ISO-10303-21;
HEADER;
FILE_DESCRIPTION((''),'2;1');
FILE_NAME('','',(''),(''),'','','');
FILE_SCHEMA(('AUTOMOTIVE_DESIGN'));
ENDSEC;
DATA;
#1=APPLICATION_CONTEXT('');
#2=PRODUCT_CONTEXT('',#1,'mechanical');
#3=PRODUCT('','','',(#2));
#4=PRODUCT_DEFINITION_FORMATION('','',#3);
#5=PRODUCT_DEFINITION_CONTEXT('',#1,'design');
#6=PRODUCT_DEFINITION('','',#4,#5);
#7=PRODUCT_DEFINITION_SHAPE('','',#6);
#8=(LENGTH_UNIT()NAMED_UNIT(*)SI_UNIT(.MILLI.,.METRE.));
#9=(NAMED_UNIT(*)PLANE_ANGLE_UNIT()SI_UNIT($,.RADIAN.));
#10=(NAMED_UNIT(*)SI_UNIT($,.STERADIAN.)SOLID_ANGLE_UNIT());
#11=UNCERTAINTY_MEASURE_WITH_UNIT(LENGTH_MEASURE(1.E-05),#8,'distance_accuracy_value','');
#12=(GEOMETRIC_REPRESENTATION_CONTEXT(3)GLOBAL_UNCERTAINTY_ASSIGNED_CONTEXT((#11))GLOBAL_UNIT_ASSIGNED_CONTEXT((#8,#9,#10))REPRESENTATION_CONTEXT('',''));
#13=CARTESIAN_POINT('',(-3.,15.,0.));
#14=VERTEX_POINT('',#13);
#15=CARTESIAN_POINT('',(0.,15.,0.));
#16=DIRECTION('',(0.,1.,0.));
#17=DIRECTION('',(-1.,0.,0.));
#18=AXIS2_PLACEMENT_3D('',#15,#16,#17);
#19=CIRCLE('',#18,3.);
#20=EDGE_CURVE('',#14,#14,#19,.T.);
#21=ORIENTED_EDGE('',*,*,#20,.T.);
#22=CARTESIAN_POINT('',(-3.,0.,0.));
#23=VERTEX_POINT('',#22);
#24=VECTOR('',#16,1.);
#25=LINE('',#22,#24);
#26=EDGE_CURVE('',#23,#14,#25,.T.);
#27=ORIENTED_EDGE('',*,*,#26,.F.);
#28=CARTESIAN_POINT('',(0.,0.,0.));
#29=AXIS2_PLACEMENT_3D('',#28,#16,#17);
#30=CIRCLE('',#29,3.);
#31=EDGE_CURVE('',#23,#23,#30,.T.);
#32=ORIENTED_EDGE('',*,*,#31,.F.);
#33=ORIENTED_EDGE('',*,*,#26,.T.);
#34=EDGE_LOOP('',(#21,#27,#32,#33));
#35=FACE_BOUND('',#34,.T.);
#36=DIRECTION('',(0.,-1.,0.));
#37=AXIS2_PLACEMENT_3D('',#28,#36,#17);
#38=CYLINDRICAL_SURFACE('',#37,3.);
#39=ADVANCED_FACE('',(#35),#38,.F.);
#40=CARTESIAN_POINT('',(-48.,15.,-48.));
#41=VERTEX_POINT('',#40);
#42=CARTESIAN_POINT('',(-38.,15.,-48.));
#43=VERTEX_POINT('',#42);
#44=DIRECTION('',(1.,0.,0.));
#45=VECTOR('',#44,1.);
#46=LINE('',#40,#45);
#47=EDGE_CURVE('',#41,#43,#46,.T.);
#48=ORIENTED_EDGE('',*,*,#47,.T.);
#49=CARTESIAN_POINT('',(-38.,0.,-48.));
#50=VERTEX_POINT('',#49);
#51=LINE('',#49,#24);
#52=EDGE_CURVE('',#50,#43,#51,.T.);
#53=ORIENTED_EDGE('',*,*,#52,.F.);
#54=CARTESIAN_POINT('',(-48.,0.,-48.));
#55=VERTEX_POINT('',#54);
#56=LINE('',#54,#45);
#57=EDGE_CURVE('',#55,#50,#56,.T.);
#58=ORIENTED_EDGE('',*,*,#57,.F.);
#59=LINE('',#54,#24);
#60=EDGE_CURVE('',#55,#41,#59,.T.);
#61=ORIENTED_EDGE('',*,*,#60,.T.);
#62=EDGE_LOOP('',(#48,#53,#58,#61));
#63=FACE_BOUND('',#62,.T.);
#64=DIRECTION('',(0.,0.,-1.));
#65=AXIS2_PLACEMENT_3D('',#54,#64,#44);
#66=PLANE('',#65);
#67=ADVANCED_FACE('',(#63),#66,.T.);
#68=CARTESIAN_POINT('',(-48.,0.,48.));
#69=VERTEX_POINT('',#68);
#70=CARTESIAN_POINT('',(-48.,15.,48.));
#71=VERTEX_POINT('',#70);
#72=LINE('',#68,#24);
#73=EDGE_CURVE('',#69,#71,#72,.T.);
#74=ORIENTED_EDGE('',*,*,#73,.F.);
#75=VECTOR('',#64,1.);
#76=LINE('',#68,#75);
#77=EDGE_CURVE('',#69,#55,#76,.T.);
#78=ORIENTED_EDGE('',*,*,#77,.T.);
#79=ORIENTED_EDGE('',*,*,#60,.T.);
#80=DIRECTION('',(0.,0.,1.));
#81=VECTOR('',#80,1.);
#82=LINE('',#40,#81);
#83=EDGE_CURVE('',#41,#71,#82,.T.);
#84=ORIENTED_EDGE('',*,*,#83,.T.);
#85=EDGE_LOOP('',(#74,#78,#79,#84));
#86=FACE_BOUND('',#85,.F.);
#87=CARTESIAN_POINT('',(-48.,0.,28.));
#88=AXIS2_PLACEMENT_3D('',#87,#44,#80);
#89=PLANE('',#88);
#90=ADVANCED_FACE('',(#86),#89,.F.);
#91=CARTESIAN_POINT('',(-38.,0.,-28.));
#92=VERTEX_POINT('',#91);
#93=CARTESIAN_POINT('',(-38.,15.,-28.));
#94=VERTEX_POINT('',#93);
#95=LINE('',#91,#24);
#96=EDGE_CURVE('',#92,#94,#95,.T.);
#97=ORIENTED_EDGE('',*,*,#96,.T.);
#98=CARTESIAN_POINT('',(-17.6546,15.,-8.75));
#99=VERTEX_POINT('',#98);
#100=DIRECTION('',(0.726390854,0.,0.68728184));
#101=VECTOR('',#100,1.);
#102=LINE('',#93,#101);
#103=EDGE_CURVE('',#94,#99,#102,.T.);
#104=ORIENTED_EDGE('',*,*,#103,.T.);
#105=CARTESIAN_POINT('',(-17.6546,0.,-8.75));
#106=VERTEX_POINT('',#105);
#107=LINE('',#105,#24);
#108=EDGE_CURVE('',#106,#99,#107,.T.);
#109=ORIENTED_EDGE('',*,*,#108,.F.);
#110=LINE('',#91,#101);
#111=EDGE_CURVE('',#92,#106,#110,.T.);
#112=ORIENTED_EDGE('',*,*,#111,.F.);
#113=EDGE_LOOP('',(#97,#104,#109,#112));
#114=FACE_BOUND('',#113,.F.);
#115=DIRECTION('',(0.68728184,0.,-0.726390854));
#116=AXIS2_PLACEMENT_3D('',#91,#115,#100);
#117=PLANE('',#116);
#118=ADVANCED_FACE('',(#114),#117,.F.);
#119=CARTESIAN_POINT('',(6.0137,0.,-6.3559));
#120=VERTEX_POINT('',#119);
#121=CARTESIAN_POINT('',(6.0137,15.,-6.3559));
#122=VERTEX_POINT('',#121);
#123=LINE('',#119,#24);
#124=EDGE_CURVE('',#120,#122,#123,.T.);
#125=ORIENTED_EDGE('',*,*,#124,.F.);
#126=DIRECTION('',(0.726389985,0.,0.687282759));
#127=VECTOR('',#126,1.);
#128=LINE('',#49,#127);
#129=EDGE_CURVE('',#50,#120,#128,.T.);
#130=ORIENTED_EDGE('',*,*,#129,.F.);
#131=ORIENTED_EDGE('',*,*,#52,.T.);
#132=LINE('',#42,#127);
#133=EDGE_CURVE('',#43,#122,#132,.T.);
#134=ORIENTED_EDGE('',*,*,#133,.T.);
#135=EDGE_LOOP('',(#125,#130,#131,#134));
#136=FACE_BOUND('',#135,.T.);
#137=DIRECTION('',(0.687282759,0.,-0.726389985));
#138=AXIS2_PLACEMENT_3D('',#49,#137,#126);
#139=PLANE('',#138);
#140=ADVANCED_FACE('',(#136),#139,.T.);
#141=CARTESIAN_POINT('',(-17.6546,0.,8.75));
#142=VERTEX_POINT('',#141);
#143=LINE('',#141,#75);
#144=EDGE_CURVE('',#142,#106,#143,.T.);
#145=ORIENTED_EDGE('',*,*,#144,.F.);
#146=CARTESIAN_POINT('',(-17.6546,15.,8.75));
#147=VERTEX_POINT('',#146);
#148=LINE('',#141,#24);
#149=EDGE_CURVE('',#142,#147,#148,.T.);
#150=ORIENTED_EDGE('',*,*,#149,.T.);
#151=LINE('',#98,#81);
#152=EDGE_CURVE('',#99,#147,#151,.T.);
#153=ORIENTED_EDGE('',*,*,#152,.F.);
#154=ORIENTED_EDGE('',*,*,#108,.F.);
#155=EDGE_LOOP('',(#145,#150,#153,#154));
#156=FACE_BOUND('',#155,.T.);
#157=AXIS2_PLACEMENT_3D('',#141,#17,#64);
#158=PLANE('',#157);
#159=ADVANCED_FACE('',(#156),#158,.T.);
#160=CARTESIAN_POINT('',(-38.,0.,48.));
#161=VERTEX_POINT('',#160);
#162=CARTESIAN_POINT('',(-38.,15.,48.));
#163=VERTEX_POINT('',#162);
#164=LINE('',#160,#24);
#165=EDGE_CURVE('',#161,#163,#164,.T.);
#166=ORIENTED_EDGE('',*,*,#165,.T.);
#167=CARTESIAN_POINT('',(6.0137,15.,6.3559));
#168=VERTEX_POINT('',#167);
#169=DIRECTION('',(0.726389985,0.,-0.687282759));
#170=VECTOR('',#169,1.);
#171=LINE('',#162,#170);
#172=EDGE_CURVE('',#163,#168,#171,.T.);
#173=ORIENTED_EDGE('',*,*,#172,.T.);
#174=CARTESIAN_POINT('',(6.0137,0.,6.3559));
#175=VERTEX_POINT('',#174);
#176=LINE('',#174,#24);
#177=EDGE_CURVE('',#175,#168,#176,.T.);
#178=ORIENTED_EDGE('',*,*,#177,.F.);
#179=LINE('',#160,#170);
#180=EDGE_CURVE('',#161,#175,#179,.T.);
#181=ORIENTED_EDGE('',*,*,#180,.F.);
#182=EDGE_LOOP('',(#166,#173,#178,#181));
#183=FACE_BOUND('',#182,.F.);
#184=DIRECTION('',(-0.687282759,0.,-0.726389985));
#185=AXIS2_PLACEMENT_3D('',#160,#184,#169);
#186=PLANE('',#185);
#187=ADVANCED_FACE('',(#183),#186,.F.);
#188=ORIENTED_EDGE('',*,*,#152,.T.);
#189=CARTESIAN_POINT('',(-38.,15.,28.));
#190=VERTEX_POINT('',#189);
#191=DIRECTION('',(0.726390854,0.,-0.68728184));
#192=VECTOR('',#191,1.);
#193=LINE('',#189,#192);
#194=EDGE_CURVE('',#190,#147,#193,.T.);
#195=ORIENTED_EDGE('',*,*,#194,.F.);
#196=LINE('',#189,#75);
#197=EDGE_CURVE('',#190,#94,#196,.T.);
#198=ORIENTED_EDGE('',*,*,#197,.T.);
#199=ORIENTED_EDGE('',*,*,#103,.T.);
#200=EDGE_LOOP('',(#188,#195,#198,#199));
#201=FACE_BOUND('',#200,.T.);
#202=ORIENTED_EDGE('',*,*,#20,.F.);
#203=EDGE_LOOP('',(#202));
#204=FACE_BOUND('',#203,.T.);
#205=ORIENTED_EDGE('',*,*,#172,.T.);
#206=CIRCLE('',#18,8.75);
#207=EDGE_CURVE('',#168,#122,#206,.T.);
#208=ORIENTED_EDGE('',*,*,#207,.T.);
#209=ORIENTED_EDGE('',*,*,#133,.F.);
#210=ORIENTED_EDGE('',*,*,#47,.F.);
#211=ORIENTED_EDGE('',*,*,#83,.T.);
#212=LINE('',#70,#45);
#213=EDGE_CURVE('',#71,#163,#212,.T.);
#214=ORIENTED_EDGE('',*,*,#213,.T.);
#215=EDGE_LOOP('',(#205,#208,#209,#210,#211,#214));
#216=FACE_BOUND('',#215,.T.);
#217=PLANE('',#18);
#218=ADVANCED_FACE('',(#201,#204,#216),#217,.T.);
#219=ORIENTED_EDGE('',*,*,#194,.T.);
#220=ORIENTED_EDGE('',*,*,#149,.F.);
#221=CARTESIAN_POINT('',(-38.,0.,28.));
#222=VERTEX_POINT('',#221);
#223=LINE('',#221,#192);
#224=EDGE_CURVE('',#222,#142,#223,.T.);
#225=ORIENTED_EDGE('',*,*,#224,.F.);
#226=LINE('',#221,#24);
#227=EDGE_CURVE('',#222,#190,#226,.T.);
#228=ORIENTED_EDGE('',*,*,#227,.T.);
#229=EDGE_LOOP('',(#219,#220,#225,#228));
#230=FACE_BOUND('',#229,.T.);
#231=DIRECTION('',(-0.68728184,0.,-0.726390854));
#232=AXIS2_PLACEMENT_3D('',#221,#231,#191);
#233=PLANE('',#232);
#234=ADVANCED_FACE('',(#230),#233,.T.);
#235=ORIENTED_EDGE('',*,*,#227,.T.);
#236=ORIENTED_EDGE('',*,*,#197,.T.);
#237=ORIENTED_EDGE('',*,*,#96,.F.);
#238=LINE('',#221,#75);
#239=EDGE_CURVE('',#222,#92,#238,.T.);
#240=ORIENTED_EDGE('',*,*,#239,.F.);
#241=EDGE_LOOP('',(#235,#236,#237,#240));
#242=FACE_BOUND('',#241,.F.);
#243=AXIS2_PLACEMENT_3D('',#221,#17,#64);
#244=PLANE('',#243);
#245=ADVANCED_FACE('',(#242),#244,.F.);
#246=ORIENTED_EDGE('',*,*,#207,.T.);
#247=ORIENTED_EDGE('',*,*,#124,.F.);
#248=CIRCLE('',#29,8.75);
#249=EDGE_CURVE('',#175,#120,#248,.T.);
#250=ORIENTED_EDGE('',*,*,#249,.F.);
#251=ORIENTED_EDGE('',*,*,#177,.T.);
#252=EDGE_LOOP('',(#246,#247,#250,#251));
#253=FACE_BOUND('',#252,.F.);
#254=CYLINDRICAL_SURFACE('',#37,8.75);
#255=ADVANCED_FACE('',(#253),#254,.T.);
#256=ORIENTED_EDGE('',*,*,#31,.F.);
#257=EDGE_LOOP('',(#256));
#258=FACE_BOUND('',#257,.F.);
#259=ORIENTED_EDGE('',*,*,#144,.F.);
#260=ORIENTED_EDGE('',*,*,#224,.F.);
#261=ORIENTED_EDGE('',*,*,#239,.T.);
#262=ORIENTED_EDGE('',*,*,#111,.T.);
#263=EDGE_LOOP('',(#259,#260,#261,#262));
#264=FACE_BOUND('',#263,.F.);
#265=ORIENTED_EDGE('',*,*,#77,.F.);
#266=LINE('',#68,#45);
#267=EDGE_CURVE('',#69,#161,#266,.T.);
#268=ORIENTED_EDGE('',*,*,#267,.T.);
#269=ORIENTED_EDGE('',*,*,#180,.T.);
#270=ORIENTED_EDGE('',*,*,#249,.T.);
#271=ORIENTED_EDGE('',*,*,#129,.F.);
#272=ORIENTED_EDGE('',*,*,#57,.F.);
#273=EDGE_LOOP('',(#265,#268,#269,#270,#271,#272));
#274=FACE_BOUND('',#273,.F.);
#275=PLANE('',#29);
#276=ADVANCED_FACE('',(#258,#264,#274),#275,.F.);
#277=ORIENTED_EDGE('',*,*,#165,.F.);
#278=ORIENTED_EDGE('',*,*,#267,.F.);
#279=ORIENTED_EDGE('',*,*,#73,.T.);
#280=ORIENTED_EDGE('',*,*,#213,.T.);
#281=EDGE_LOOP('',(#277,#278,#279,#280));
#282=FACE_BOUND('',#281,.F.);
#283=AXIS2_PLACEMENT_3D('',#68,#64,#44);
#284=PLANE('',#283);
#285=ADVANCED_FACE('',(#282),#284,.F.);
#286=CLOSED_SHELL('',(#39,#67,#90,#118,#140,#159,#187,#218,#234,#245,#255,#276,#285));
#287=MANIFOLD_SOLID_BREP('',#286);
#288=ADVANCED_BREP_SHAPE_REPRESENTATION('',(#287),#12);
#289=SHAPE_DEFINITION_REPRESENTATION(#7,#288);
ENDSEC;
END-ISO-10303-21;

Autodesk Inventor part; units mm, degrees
ref_plane "YZ Plane" through (0, 0, 0) normal (1, 0, 0) x (0, 1, 0)
ref_plane "XZ Plane" through (0, 0, 0) normal (0, 1, 0) x (-1, 0, 0)
ref_plane "XY Plane" through (0, 0, 0) normal (0, 0, 1) x (1, 0, 0)
sketch "Sketch1" plane through (0, 0, 0) normal (0, 1, 0) x (-1, 0, 0)
  circle A0 centre (0, 0) radius 3
  circle A1 centre (0, 0) radius 8.75
  line L0 (0, 0) -> (48, 0) construction
  line L1 (48, 48) -> (48, -48) construction
  line L2 (48, 48) -> (38, 48)
  line L3 (38, 48) -> (38, 28)
  line L4 (38, 28) -> (48, 28)
  line L5 (48, 28) -> (48, 48)
  line L6 (38, 48) -> (-6.0137, 6.3559)
  line L7 (38, 28) -> (17.6546, 8.75)
  line L8 (17.6546, 8.75) -> (17.6546, 0)
  line L9 (48, -48) -> (38, -48)
  line L10 (38, -48) -> (38, -28)
  line L11 (38, -28) -> (48, -28)
  line L12 (48, -28) -> (48, -48)
  line L13 (38, -48) -> (-6.0137, -6.3559)
  line L14 (38, -28) -> (17.6546, -8.75)
  line L15 (17.6546, -8.75) -> (17.6546, 0)
  line L16 (48, 28) -> (38, 28)
  line L17 (38, 28) -> (38, -28)
  line L18 (38, -28) -> (48, -28)
  line L19 (48, -28) -> (48, 28)
  dimension "d1" = 17.5
  dimension "d0" = 6
  dimension "d2" = 48
  dimension "d3" = 96
  dimension "d4" = 10
  dimension "d5" = 20
  dimension "d6" = 17.5
extrude "Extrusion1" add sketch "Sketch1" along normal blind 15 contours A1 | A1 L6 L3 L7 L8 L15 L14 L10 L13 | L2 L5 L4 L3 | L10 L11 L12 L9 | L4 L19 L11 L17
ref_plane "Work Plane1" through (0.0004, 0, -8.75) normal (-1, 0, 0) x (0, 0, 1)
properties part number "Custom Wheel Mount"
